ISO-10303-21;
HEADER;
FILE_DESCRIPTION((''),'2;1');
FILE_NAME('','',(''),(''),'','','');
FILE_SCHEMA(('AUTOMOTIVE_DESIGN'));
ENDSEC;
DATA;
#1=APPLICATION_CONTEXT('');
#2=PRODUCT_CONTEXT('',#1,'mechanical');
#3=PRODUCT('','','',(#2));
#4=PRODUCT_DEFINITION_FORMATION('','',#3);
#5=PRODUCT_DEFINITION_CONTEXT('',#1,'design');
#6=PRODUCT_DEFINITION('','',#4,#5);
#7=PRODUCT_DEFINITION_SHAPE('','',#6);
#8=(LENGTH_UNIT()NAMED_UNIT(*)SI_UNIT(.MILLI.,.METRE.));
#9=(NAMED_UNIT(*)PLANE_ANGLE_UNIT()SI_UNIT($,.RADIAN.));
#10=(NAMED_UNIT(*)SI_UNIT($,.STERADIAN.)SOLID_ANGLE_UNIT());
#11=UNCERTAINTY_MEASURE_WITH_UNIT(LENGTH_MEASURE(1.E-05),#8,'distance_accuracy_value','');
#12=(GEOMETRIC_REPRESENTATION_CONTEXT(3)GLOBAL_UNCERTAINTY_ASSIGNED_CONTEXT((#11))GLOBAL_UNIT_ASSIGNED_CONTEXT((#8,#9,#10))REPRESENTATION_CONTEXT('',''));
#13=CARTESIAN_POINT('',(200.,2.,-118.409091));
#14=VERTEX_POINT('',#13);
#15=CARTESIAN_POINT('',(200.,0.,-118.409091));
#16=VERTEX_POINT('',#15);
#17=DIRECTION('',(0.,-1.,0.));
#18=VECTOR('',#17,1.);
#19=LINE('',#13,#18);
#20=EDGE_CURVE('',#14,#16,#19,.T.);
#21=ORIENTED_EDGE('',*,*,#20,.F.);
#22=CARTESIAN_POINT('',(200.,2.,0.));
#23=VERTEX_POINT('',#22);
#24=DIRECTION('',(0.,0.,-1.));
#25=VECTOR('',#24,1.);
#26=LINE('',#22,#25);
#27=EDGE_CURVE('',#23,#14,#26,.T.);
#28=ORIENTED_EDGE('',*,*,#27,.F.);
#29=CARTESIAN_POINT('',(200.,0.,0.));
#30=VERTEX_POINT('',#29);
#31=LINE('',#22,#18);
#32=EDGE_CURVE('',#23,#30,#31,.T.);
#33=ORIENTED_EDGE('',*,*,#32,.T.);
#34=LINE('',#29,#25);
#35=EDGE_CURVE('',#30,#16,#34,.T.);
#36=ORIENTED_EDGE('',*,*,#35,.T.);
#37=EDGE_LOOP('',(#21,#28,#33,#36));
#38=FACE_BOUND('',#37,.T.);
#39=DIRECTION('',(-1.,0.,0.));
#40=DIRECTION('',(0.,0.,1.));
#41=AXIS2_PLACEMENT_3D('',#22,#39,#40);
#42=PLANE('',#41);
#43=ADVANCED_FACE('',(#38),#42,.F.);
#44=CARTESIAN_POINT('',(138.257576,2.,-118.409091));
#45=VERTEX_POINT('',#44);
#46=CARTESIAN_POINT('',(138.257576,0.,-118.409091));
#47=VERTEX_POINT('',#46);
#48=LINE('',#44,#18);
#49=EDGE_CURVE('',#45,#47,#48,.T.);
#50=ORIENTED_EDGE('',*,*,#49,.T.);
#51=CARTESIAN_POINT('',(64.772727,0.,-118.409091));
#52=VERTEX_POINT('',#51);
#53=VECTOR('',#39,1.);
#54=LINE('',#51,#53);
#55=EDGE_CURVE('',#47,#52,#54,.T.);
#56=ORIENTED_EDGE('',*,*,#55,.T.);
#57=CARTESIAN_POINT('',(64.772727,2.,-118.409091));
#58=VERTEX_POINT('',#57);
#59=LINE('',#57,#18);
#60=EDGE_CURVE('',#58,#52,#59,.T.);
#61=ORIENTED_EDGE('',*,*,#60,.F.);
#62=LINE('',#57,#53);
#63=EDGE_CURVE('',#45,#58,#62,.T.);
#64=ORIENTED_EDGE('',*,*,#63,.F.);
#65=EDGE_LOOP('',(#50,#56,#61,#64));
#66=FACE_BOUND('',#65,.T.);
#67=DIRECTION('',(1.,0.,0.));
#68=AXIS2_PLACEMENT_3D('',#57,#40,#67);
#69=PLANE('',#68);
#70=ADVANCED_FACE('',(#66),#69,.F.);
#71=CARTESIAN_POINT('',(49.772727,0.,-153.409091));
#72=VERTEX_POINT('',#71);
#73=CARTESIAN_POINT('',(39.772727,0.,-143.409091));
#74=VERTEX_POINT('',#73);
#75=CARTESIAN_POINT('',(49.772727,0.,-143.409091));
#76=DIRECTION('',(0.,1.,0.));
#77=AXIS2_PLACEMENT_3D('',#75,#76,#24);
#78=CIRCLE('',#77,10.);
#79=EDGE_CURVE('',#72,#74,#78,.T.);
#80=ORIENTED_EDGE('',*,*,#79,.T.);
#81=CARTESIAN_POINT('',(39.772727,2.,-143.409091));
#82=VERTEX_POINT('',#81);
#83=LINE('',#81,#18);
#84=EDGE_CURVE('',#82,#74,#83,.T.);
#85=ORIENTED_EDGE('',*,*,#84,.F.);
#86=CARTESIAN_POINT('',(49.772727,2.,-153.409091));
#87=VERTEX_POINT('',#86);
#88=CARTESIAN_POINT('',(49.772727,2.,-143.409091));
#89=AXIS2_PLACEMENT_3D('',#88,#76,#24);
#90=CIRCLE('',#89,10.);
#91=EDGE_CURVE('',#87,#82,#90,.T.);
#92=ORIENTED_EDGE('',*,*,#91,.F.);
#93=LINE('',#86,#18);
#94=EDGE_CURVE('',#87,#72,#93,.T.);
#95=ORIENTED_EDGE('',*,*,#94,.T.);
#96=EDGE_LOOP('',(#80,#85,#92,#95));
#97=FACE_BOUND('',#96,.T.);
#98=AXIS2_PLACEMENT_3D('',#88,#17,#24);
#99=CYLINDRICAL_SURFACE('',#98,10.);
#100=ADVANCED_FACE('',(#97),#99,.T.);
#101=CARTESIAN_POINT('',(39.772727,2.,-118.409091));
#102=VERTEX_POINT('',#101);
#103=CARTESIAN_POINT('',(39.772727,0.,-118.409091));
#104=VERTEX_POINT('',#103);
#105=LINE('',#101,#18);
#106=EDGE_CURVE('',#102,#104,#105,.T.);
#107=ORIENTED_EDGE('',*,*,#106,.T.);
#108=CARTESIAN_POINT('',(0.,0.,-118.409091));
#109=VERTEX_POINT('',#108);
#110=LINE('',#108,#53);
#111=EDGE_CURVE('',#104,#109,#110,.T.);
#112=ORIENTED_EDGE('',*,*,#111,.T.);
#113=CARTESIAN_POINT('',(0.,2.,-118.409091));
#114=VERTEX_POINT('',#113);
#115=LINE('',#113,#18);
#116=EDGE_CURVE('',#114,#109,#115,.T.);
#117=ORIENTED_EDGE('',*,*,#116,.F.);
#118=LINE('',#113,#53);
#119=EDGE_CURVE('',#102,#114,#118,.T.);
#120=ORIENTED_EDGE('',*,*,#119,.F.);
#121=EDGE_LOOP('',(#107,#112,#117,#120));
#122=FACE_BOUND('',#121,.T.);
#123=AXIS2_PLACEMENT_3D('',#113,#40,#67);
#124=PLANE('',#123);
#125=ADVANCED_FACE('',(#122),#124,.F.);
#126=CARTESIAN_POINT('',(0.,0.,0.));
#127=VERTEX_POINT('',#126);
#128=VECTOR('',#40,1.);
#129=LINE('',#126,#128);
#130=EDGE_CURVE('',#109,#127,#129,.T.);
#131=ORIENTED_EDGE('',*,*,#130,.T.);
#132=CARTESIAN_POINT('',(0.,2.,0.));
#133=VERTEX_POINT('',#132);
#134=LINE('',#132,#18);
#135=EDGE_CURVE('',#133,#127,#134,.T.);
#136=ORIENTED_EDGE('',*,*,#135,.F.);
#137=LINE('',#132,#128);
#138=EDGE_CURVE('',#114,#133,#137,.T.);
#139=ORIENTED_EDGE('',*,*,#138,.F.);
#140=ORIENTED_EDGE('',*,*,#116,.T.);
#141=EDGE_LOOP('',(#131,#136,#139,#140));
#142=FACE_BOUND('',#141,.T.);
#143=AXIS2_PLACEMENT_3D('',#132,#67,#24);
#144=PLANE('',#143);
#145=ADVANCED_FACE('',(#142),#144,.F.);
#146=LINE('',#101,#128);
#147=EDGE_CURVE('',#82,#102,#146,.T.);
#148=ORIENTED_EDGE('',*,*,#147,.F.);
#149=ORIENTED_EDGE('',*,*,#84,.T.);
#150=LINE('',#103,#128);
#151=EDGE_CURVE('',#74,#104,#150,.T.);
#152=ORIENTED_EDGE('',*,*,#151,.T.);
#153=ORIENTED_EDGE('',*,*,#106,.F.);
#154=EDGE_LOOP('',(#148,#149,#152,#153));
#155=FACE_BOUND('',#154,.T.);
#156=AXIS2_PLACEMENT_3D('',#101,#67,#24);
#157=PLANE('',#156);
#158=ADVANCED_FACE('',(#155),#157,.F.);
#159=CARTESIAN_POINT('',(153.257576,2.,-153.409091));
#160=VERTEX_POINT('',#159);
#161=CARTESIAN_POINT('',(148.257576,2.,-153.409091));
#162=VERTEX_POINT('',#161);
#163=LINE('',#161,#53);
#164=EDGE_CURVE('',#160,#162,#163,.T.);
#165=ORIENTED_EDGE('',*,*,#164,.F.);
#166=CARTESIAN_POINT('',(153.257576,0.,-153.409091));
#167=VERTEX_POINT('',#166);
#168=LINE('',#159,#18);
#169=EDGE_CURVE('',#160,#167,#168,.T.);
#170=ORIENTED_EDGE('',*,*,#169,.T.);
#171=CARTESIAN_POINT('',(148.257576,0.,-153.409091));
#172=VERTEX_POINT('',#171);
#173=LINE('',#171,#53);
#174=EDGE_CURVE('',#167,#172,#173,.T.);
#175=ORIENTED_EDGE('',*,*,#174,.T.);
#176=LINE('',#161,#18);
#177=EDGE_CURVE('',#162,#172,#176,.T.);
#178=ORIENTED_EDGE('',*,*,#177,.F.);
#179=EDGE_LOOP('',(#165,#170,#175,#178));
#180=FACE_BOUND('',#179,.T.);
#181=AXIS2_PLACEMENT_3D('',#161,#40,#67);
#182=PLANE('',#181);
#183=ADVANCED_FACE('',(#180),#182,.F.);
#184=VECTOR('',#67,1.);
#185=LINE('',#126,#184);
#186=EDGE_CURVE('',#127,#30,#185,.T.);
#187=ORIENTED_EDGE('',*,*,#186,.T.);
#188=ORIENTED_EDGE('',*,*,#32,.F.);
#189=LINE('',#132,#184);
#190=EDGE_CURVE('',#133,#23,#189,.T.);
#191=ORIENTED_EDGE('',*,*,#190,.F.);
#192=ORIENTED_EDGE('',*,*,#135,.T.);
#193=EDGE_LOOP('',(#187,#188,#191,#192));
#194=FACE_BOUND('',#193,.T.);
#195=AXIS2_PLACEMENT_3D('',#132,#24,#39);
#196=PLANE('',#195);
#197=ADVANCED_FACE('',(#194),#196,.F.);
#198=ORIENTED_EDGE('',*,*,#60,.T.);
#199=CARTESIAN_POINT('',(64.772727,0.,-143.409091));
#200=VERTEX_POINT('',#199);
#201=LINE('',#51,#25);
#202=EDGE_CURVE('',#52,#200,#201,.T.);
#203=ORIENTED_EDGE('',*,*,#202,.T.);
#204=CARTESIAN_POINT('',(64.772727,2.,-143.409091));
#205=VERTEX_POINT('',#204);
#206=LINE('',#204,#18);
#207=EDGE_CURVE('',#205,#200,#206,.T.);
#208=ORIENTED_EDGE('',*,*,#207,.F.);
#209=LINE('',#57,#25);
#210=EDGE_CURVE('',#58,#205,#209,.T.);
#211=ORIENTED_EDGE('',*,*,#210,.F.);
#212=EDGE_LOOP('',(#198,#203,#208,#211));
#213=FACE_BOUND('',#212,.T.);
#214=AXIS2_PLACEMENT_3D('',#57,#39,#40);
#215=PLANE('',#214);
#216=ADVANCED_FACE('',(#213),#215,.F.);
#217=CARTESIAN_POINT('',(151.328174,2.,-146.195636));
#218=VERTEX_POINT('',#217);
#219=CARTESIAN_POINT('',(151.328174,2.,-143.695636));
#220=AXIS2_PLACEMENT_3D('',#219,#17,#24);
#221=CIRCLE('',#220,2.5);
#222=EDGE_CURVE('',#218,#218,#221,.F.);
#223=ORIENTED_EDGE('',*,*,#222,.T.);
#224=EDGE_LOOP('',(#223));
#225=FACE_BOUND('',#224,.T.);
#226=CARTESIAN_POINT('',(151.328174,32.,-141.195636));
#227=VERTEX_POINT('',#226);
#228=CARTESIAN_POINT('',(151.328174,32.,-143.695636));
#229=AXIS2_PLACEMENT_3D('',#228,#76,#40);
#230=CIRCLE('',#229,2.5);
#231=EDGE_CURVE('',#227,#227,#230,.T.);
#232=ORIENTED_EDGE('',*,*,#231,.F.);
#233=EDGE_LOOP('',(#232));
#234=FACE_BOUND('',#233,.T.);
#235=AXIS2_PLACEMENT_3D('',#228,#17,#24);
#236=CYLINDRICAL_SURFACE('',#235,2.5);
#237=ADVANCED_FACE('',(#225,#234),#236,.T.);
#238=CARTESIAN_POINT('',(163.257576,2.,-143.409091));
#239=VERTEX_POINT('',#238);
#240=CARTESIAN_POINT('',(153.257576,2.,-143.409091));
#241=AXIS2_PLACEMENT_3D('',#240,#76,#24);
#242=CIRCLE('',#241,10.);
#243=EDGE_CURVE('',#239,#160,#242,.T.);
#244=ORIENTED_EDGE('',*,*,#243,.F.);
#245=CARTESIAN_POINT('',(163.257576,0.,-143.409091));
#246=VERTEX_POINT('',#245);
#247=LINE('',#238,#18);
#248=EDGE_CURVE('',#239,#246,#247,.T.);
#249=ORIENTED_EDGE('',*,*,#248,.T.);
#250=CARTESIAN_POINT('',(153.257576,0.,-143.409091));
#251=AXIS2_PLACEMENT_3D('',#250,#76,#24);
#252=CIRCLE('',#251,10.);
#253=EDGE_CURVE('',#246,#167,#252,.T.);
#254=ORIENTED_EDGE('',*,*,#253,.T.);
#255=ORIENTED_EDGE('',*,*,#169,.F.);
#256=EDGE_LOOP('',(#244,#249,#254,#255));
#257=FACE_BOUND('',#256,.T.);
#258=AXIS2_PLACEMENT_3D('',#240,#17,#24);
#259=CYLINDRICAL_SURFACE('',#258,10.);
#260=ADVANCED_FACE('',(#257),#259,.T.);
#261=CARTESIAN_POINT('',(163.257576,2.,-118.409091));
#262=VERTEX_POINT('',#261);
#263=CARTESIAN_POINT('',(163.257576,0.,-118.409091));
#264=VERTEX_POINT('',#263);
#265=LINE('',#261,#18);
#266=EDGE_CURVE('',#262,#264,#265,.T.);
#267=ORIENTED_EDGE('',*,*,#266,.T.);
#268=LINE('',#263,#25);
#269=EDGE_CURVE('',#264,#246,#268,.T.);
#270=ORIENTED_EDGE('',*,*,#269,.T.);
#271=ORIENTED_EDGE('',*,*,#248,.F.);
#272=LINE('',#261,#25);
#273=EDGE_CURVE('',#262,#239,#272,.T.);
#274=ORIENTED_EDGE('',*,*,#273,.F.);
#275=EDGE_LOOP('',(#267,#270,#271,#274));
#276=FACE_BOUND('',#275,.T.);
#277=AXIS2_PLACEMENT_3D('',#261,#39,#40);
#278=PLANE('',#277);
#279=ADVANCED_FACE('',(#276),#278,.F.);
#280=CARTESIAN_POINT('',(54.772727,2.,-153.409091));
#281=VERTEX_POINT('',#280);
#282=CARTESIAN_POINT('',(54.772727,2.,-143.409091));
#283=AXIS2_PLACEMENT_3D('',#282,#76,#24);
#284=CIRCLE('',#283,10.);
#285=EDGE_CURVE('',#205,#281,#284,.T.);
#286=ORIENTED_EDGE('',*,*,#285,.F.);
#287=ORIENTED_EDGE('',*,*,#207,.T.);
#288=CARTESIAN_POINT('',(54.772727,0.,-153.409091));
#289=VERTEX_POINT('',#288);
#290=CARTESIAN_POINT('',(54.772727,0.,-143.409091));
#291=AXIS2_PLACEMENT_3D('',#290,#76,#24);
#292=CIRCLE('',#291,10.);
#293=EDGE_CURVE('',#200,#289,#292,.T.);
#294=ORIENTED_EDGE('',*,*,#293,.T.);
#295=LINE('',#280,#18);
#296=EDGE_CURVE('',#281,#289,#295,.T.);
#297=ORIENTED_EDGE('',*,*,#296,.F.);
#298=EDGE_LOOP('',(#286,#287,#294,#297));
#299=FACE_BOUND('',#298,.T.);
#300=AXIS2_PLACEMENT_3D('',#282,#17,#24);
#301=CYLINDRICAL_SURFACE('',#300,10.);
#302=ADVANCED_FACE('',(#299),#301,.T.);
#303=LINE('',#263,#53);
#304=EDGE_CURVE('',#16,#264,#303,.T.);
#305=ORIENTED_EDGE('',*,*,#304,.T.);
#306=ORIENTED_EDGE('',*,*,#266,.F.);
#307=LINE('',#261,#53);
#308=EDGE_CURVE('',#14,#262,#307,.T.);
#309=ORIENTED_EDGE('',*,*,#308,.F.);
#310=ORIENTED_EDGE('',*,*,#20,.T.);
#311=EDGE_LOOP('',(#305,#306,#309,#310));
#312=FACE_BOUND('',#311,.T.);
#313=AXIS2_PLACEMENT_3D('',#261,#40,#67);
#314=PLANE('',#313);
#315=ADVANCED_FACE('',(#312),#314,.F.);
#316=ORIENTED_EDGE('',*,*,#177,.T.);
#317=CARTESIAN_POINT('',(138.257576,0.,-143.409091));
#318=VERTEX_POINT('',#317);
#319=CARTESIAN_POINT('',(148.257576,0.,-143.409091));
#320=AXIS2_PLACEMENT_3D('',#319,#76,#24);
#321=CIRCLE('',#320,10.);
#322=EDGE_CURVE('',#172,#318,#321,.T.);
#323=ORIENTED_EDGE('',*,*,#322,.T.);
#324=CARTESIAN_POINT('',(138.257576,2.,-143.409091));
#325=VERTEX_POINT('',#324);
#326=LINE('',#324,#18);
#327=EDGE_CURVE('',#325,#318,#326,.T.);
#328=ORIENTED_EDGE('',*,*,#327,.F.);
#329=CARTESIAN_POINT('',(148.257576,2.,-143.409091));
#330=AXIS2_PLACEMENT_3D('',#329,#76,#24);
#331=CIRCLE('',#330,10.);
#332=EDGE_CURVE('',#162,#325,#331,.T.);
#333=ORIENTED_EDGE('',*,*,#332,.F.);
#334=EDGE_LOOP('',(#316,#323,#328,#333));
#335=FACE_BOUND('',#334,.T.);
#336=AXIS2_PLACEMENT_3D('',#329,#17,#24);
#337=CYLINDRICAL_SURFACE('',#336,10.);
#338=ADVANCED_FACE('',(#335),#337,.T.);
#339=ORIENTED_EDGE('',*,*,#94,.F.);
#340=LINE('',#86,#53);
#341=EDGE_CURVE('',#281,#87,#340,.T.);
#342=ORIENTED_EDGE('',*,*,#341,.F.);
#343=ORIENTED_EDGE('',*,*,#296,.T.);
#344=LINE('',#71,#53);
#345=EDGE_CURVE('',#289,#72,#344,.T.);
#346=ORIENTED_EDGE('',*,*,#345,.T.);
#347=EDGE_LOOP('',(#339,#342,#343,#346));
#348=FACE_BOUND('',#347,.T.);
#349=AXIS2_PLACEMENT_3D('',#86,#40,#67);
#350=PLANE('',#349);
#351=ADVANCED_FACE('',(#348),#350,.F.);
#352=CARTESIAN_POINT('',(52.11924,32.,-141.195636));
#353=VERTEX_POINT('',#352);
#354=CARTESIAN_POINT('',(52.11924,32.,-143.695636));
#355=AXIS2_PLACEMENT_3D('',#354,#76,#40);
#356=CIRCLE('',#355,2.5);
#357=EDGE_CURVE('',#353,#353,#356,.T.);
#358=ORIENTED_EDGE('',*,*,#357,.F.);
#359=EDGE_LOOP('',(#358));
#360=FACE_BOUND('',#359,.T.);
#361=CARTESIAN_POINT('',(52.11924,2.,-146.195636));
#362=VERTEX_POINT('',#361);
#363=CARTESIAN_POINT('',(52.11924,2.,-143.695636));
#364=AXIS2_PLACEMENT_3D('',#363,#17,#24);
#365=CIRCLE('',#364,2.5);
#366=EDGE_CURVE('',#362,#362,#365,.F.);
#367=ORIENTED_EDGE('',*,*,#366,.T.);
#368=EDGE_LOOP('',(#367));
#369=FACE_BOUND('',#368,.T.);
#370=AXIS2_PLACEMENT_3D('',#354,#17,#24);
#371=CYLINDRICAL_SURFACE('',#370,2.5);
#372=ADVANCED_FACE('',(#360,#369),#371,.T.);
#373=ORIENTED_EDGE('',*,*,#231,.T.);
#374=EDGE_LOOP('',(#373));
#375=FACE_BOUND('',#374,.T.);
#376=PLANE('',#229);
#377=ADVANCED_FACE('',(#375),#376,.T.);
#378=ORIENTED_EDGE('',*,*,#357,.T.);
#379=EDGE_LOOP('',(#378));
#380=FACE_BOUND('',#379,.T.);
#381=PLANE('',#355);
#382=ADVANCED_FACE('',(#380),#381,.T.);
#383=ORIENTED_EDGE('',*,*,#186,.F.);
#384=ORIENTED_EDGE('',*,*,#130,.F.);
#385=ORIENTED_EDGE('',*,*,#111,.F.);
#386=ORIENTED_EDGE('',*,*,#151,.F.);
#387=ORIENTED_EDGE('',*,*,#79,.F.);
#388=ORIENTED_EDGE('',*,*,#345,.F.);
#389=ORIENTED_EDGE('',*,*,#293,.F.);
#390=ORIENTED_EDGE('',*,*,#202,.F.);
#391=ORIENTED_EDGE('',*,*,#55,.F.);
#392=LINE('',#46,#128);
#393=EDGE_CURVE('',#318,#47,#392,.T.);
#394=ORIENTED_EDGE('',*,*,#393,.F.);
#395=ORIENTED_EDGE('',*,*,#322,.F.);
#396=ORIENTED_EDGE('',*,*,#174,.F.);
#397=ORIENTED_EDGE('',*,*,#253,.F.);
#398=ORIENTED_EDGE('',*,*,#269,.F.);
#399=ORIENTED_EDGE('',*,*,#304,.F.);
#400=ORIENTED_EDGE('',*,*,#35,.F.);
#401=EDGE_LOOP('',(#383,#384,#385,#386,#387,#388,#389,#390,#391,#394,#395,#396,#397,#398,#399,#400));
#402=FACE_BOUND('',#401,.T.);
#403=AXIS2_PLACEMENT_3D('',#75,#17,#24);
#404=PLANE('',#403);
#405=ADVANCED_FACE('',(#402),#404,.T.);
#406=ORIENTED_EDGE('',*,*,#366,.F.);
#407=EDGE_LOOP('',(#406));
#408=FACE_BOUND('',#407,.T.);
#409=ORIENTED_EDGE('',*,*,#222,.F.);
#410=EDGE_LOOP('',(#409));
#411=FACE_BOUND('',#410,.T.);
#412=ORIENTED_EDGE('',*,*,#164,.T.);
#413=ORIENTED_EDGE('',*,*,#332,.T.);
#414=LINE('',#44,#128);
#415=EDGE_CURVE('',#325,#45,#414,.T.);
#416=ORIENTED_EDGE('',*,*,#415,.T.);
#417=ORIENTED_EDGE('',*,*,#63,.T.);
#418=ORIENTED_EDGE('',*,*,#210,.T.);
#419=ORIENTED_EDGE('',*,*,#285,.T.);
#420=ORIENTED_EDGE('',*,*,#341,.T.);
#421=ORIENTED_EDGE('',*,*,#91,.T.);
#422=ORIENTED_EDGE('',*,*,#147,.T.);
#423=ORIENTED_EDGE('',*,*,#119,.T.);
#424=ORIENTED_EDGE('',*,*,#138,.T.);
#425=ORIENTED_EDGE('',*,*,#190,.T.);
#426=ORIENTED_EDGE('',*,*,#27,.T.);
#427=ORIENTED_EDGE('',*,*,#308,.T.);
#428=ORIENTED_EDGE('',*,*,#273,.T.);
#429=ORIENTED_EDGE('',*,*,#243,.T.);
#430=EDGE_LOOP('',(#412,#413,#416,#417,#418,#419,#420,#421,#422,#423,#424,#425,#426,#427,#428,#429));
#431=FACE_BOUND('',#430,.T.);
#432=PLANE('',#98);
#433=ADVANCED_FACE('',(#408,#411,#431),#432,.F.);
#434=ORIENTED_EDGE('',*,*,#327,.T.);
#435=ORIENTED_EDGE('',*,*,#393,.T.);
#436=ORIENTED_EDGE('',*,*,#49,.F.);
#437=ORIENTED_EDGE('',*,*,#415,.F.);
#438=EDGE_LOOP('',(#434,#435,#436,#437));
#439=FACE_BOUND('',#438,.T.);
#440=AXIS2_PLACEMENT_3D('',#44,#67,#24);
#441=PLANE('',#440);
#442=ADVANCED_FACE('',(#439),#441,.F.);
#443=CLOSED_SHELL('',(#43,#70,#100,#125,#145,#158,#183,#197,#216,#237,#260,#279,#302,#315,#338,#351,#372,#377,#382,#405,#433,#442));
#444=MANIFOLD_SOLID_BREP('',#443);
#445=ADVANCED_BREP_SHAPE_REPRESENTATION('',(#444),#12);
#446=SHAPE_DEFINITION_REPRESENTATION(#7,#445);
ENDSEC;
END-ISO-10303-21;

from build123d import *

# Parameters (mm, degrees)
EXTRUDE_1_DEPTH = 2
SKETCH_2_R      = 2.5
EXTRUDE_2_DEPTH = 30


with BuildPart() as part:
    # 草图1 → 凸台-拉伸1 (new body)
    with BuildSketch(Plane(origin=(0, 0, 0), x_dir=(1, 0, 0), z_dir=(0, 1, 0))):
        with BuildLine():
            Line((64.772727273, 118.409090909), (138.257575758, 118.409090909))
            Line((138.257575758, 118.409090909), (138.257575758, 143.409090909))
            ThreePointArc((138.257575758, 143.409090909), (141.186507946, 150.480158721), (148.257575758, 153.409090909))
            Line((148.257575758, 153.409090909), (153.257575758, 153.409090909))
            ThreePointArc((153.257575758, 153.409090909), (160.328643569, 150.480158721), (163.257575758, 143.409090909))
            Line((163.257575758, 143.409090909), (163.257575758, 118.409090909))
            Line((163.257575758, 118.409090909), (200, 118.409090909))
            Line((200, 118.409090909), (200, 0))
            Line((200, 0), (0, 0))
            Line((0, 0), (0, 118.409090909))
            Line((0, 118.409090909), (39.772727273, 118.409090909))
            Line((39.772727273, 118.409090909), (39.772727273, 143.409090909))
            ThreePointArc((39.772727273, 143.409090909), (42.701659461, 150.480158721), (49.772727273, 153.409090909))
            Line((49.772727273, 153.409090909), (54.772727273, 153.409090909))
            ThreePointArc((54.772727273, 153.409090909), (61.843795085, 150.480158721), (64.772727273, 143.409090909))
            Line((64.772727273, 143.409090909), (64.772727273, 118.409090909))
        make_face()
    extrude(amount=EXTRUDE_1_DEPTH)

    # 草图2 → 凸台-拉伸2 (add)
    with BuildSketch(Plane(origin=(0, 2, 0), x_dir=(1, 0, 0), z_dir=(0, 1, 0))):
        with Locations(Location((52.11924037, 143.695636013, 0), (0, 0, 90))):
            Circle(SKETCH_2_R)
        with Locations(Location((151.328174324, 143.695636013, 0), (0, 0, 90))):
            Circle(SKETCH_2_R)
    extrude(amount=EXTRUDE_2_DEPTH)


solid = part.part
